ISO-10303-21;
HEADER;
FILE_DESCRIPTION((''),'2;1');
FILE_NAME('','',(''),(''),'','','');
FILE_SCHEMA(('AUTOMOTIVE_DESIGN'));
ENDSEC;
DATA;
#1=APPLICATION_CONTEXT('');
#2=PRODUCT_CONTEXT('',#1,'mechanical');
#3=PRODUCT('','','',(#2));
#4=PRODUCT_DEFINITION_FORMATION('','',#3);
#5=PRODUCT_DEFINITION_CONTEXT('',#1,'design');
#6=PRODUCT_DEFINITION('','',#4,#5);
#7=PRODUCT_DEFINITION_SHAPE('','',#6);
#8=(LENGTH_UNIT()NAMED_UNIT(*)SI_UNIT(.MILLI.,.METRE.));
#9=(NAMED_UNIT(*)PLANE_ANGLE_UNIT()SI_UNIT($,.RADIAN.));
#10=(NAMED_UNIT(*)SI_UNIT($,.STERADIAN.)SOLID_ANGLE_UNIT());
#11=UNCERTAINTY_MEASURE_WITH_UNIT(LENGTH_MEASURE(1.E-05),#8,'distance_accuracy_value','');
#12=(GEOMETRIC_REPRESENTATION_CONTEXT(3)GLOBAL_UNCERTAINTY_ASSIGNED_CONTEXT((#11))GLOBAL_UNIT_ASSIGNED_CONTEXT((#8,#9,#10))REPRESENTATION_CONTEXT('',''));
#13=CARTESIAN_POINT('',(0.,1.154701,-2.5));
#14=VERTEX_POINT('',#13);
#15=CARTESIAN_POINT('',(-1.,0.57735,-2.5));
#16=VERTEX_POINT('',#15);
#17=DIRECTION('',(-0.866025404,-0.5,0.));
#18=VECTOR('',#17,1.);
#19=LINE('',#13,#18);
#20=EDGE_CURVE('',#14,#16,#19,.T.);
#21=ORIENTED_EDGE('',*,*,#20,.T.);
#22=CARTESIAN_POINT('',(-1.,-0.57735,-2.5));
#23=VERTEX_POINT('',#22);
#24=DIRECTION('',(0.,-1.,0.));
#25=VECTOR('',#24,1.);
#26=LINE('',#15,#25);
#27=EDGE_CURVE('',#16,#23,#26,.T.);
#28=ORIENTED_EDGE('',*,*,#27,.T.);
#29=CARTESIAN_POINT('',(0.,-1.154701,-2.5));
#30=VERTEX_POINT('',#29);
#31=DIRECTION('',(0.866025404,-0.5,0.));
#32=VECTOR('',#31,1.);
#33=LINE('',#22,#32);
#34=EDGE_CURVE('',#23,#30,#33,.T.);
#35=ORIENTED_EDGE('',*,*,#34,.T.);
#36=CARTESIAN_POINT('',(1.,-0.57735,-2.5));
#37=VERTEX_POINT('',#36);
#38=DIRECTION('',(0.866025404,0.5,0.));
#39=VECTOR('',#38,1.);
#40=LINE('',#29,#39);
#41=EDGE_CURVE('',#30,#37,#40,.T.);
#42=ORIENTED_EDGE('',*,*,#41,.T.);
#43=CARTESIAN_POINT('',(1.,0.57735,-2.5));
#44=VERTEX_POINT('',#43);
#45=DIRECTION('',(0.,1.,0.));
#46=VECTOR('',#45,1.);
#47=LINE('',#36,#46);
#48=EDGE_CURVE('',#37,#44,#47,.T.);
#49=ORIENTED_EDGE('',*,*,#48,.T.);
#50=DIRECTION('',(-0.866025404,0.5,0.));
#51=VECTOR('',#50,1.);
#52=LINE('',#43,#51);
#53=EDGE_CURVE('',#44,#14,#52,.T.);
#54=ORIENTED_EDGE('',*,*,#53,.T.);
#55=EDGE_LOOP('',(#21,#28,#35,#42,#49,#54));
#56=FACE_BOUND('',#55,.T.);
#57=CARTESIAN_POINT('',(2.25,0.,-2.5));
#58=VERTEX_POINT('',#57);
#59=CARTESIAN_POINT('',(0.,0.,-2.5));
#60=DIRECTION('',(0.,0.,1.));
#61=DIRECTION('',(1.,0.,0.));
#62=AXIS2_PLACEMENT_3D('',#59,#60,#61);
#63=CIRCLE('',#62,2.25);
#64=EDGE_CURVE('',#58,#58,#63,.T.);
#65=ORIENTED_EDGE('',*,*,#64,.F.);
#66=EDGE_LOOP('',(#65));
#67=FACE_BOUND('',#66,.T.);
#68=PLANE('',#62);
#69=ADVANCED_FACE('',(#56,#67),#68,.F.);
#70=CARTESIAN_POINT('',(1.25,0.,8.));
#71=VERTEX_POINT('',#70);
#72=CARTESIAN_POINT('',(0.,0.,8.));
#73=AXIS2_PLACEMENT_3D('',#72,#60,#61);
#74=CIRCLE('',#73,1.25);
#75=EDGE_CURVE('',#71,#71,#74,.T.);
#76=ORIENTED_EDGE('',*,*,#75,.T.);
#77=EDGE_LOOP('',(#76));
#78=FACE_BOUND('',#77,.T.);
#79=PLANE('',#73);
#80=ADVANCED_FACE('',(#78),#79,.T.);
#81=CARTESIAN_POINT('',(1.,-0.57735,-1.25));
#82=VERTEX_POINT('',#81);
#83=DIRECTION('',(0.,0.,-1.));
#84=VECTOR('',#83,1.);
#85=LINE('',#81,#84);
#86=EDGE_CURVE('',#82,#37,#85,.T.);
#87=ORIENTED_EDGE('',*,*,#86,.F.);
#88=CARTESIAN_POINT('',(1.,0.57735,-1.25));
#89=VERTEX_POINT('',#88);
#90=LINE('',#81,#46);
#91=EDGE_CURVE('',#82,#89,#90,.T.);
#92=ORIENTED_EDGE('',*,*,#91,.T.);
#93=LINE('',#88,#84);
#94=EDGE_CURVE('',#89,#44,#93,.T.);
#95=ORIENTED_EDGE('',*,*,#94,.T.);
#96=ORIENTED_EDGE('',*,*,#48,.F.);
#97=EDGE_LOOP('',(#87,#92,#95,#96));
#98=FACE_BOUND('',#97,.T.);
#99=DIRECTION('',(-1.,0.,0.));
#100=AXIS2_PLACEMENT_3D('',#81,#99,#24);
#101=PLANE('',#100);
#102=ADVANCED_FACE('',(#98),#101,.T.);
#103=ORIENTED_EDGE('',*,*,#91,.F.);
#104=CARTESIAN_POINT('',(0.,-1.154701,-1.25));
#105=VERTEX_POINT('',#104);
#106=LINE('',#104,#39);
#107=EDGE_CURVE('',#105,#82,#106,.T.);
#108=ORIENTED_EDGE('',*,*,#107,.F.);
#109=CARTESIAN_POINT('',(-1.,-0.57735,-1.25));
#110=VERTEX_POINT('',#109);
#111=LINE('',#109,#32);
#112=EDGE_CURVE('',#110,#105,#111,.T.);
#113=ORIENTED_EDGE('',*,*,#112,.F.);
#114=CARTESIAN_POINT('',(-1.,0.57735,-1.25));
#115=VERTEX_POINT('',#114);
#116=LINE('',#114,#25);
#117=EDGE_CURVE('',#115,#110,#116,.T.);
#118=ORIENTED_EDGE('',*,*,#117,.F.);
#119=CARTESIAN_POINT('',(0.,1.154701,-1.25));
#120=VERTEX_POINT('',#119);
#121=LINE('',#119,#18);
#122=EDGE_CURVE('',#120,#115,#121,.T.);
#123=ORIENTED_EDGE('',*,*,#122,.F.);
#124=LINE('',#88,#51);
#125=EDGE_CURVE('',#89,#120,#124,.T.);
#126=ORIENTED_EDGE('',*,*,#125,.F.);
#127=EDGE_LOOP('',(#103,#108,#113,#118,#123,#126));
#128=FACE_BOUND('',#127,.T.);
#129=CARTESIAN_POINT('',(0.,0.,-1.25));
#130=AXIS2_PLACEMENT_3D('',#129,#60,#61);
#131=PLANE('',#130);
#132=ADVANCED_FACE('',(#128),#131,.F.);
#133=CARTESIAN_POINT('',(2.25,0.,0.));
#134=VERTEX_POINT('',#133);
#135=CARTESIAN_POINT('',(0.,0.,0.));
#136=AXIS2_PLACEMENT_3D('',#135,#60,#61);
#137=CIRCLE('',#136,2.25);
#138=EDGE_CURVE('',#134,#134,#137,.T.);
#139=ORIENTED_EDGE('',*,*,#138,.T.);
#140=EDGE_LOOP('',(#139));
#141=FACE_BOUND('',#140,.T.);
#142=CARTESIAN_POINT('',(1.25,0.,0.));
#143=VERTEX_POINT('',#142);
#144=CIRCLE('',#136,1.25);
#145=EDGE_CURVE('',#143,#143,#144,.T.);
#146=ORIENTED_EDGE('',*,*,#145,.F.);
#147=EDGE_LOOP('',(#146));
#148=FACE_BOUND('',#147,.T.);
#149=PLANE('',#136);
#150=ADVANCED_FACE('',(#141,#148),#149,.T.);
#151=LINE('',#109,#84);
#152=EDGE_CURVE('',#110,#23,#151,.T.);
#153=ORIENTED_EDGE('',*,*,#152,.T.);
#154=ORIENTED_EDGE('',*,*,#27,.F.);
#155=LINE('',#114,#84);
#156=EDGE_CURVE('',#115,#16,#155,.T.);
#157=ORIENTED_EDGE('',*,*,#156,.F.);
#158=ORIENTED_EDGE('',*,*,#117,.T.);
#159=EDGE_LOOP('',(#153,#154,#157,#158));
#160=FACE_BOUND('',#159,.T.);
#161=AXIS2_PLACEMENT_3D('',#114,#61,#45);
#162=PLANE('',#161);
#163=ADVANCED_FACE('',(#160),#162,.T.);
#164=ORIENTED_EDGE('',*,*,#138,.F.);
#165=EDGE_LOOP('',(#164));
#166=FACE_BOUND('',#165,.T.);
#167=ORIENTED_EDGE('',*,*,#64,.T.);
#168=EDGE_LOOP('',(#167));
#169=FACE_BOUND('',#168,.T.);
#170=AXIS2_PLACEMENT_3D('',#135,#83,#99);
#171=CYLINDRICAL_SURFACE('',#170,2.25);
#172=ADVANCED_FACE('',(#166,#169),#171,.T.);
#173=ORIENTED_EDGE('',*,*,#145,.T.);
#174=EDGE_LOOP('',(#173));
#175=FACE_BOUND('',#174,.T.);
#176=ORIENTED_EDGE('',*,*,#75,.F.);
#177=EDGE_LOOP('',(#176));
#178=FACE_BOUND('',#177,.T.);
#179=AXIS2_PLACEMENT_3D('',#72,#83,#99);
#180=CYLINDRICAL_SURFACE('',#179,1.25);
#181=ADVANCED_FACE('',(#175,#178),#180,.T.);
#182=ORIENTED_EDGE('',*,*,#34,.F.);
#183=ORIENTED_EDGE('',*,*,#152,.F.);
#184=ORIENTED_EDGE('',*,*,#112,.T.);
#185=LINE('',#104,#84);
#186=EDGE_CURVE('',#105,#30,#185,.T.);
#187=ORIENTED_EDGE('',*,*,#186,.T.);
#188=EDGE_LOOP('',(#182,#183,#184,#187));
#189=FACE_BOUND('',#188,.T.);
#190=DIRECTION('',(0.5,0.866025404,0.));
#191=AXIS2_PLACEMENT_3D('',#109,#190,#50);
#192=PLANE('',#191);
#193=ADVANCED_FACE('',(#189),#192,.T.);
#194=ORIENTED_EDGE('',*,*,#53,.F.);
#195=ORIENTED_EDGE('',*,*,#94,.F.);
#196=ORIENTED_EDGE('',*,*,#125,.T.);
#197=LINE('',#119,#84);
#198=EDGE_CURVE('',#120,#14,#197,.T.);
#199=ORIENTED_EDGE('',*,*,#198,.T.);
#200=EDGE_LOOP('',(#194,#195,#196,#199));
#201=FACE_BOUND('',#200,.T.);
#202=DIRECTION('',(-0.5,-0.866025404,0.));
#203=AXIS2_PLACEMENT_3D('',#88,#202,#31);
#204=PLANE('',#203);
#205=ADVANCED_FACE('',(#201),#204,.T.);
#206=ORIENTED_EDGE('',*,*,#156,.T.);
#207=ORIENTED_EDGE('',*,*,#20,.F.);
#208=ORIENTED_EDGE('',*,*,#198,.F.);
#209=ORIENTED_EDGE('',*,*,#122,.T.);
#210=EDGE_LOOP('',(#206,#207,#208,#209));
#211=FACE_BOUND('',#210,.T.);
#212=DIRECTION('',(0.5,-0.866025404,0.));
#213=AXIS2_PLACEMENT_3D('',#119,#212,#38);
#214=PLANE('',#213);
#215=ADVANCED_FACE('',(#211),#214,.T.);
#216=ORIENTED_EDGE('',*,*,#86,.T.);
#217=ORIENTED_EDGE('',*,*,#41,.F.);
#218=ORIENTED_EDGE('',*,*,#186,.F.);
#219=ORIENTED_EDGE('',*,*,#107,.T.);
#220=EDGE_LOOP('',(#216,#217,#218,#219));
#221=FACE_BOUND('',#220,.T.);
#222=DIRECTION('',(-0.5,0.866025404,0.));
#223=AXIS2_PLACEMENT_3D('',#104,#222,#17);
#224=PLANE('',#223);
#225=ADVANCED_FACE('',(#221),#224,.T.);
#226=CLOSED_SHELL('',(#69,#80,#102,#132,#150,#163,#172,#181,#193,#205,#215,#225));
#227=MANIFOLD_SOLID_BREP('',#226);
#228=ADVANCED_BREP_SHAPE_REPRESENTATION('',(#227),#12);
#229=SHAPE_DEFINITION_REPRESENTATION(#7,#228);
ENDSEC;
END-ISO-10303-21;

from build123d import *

# Parameters (mm, degrees)
CABEZA_START            = -2.5
SK_CABEZA_R             = 2.25
CABEZA_DEPTH            = 2.5
SK_CUERPO_R             = 1.25
CUERPO_DEPTH            = 8
HEXAGONO_INTERIOR_START = -2.5
HEXAGONO_INTERIOR_DEPTH = 1.25


with BuildPart() as part:
    # Sk_Cabeza → Cabeza (new body)
    with BuildSketch(Plane.XY.offset(CABEZA_START)):
        Circle(SK_CABEZA_R)
    extrude(amount=CABEZA_DEPTH)

    # Sk_Cuerpo → Cuerpo (add)
    with BuildSketch(Plane.XY):
        Circle(SK_CUERPO_R)
    extrude(amount=CUERPO_DEPTH)

    # Sk_Hexagono_interior → Hexagono_interior (cut)
    with BuildSketch(Plane.XY.offset(HEXAGONO_INTERIOR_START)):
        Polygon((0, -1.154700538), (1, -0.577350269), (1, 0.577350269), (0, 1.154700538), (-1, 0.577350269), (-1, -0.577350269), align=None)
    extrude(amount=HEXAGONO_INTERIOR_DEPTH, mode=Mode.SUBTRACT)


solid = part.part
